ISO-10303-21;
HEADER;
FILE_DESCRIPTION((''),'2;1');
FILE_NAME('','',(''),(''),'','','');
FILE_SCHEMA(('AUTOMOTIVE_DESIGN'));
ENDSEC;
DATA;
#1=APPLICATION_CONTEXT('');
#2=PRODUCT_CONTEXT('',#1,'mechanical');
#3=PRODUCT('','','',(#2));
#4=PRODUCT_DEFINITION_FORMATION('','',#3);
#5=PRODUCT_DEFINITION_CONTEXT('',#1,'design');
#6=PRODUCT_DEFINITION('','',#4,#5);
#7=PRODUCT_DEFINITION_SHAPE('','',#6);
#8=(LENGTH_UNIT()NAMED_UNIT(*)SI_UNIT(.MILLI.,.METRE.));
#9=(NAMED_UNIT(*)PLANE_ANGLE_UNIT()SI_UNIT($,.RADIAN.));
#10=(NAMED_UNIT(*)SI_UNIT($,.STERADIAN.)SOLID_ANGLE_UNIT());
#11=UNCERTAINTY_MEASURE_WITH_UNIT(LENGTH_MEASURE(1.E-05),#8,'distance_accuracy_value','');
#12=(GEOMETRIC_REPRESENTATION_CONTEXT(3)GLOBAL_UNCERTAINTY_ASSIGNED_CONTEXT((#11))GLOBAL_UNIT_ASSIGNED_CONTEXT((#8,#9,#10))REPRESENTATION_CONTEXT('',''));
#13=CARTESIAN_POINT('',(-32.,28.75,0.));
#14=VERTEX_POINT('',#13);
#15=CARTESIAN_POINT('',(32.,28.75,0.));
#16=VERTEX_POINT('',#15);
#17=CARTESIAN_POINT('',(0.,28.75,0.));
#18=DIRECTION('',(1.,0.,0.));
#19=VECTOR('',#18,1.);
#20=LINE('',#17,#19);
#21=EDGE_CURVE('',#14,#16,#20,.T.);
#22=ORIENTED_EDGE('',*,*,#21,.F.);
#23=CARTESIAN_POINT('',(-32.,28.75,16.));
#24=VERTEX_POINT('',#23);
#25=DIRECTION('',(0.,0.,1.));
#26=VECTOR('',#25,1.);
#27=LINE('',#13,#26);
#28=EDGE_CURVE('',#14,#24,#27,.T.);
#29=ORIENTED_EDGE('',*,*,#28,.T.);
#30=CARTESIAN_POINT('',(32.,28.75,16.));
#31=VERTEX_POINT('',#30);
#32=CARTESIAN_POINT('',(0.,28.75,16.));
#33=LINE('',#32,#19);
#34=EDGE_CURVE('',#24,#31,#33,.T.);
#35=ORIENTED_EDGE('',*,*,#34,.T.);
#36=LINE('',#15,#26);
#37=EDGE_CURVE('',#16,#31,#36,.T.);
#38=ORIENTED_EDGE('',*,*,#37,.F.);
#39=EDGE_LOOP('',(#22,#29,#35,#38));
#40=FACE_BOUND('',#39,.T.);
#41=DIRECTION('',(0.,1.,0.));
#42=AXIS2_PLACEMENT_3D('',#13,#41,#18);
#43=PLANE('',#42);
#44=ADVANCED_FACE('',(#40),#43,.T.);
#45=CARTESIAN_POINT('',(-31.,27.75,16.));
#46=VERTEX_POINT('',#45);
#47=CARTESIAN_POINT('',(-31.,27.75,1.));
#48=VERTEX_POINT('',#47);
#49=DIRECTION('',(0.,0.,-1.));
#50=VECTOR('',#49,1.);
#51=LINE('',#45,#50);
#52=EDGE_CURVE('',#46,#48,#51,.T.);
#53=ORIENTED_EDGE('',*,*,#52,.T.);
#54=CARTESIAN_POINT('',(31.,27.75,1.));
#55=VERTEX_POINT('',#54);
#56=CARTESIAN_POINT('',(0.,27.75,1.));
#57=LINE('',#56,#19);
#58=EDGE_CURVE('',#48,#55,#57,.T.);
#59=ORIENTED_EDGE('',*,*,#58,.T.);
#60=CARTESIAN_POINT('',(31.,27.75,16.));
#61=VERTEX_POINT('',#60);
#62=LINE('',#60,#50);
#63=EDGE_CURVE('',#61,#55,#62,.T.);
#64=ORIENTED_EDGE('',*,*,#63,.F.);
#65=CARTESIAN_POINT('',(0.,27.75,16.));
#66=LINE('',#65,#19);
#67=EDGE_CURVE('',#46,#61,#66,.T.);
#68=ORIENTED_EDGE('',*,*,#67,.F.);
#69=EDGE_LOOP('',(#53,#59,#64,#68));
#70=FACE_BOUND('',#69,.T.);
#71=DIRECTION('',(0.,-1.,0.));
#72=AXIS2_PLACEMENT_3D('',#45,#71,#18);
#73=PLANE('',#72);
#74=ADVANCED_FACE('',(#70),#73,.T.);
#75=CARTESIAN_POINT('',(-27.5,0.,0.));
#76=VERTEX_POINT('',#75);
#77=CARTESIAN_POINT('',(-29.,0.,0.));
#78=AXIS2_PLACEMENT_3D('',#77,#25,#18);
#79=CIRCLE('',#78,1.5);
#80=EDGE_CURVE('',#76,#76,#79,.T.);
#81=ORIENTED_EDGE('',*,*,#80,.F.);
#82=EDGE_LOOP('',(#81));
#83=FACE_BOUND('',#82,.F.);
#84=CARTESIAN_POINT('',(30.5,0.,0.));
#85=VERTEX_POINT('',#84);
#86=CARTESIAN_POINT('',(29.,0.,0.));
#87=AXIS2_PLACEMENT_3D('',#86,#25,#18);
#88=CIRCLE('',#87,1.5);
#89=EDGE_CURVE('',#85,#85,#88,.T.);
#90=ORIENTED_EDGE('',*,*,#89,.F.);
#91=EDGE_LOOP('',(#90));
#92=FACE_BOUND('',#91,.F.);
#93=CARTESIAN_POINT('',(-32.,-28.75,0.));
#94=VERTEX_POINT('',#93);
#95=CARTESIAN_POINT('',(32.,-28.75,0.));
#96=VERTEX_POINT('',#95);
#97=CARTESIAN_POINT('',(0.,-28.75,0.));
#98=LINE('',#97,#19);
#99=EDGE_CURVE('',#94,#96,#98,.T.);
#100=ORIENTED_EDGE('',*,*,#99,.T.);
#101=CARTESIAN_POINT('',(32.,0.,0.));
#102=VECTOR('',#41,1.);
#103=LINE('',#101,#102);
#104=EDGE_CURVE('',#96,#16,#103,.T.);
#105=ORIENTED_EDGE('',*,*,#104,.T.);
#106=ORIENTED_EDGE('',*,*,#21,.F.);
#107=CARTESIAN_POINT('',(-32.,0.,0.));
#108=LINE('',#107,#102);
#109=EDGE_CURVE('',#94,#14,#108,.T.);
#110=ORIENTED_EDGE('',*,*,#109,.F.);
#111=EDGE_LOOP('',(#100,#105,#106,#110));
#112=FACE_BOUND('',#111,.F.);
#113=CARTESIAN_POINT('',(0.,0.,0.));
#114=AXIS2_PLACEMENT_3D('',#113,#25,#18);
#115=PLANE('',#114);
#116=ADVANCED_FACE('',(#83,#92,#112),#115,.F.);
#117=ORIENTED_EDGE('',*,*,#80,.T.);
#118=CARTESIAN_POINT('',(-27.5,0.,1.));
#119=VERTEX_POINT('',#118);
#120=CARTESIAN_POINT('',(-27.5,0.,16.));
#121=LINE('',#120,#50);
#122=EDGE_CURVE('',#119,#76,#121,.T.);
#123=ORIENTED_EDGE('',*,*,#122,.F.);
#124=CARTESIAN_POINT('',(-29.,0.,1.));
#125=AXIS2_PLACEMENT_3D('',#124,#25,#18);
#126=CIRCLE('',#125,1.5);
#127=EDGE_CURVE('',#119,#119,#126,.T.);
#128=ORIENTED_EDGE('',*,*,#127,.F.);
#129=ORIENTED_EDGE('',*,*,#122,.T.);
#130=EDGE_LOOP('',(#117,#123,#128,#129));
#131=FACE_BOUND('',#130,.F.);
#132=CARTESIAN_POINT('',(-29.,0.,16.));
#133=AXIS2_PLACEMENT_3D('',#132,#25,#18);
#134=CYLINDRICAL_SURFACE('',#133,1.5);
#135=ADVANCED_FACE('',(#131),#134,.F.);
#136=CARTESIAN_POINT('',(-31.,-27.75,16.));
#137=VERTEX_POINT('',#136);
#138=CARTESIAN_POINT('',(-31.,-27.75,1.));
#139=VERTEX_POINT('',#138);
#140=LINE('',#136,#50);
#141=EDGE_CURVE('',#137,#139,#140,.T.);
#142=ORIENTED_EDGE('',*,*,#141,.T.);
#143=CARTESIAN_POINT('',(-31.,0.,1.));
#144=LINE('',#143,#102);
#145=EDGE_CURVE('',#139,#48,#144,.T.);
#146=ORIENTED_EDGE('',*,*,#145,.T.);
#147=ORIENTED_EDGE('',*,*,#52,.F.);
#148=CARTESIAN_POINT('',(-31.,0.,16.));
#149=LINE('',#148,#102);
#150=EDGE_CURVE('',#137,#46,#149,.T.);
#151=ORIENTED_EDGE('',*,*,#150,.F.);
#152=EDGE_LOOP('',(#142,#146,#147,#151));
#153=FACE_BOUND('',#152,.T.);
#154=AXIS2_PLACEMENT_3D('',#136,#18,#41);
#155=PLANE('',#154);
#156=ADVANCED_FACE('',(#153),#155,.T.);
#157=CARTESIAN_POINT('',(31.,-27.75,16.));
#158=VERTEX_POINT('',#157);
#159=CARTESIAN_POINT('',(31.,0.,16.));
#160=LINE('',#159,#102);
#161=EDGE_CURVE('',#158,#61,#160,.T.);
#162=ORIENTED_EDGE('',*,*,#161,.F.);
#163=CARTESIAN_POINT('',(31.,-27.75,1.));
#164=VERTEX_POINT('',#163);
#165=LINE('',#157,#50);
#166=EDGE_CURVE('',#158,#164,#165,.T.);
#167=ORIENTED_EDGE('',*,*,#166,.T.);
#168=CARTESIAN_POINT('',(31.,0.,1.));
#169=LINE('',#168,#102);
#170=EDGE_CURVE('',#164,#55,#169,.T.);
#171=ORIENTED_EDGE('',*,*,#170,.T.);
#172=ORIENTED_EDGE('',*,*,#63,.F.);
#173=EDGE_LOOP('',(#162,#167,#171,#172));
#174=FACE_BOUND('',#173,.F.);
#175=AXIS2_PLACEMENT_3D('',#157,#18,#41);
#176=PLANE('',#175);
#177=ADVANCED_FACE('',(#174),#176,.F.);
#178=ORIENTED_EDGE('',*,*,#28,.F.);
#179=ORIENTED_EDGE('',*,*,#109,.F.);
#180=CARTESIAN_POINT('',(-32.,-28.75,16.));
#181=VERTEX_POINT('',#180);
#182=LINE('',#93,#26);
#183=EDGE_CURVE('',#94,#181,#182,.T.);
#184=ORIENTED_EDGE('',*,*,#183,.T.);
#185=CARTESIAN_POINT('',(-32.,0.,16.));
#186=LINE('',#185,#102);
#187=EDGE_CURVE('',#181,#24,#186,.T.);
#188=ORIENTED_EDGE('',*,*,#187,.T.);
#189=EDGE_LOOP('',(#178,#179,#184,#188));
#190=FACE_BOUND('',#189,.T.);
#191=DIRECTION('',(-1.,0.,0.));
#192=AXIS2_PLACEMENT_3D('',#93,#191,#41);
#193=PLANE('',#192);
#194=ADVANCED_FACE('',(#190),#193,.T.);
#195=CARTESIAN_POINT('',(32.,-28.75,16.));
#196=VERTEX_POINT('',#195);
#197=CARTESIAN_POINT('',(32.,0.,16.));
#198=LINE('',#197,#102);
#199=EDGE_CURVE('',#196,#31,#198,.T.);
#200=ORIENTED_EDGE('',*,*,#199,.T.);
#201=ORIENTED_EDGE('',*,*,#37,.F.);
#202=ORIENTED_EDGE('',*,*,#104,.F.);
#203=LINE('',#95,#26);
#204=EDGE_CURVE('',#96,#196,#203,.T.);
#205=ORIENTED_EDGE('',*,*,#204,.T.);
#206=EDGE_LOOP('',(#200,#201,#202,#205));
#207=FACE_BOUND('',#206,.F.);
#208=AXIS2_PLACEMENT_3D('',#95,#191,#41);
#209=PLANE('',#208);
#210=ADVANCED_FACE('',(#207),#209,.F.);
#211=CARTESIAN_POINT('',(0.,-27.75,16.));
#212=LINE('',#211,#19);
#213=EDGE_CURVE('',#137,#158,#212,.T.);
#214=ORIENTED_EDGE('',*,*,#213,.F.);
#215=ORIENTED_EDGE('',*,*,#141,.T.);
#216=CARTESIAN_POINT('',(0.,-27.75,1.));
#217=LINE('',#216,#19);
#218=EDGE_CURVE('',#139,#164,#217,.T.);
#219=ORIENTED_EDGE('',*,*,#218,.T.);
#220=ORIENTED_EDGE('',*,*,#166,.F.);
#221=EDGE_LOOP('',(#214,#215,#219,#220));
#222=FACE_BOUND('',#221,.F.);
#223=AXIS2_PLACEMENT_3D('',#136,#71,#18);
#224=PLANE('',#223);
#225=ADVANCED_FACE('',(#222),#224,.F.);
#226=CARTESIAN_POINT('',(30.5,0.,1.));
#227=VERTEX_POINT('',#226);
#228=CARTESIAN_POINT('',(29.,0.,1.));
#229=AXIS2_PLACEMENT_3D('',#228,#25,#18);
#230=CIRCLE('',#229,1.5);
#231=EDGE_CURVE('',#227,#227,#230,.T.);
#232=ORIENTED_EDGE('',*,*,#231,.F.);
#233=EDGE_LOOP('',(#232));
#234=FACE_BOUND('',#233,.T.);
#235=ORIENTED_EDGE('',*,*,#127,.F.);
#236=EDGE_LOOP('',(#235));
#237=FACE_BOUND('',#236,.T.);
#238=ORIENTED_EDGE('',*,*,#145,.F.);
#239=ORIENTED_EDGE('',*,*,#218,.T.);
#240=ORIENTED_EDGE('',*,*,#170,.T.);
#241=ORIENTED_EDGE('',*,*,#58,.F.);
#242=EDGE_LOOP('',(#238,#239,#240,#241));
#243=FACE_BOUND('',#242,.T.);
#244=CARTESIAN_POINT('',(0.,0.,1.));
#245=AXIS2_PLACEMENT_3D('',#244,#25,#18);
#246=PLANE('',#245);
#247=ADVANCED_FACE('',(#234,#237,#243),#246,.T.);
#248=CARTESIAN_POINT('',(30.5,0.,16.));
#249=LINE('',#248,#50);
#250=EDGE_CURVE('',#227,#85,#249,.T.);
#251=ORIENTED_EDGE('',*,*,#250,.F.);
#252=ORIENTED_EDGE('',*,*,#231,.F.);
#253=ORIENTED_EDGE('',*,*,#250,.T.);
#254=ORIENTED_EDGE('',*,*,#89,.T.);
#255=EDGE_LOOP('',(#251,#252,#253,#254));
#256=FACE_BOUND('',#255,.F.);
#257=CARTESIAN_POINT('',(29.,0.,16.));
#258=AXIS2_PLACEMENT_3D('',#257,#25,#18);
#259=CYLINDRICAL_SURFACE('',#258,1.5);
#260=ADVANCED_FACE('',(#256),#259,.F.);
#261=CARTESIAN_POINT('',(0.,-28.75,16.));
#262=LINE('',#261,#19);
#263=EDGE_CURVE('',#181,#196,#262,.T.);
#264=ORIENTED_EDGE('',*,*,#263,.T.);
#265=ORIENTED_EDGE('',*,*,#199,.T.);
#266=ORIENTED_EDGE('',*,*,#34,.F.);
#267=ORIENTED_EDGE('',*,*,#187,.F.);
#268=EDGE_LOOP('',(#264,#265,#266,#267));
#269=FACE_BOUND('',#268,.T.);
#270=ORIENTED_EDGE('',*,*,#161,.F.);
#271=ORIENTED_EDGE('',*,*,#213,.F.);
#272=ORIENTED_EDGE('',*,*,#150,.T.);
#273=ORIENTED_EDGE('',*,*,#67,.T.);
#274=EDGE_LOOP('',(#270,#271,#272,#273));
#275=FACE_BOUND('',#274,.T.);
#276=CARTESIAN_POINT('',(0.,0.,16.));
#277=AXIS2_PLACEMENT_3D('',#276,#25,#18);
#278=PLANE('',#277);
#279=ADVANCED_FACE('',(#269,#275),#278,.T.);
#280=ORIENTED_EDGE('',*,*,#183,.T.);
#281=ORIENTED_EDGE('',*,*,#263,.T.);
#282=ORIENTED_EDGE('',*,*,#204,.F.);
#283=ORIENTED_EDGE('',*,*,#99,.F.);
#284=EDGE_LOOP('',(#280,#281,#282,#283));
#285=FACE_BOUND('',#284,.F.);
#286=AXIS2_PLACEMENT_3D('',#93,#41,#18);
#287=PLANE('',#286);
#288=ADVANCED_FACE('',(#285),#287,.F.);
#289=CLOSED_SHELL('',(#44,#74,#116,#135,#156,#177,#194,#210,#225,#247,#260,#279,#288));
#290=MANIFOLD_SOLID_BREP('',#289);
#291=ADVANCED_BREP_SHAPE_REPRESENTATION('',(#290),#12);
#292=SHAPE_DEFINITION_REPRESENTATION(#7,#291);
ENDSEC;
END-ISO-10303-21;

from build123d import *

# Parameters (mm, degrees)
SKETCH001_W     = 64
SKETCH001_H     = 57.5
PAD_DEPTH       = 16
SKETCH003_W     = 62
SKETCH003_H     = 55.5
POCKET001_DEPTH = 15
SKETCH002_R     = 1.5
POCKET_DEPTH    = 16.001


with BuildPart() as part:
    # Sketch001 → Pad (new body)
    with BuildSketch(Plane.XY):
        Rectangle(SKETCH001_W, SKETCH001_H)
    extrude(amount=PAD_DEPTH)

    # Sketch003 (on Face6 of Pad) → Pocket001 (cut)
    with BuildSketch(Plane.XY.offset(16)):
        Rectangle(SKETCH003_W, SKETCH003_H)
    extrude(amount=-POCKET001_DEPTH, mode=Mode.SUBTRACT)

    # Sketch002 (on Face6 of Pad) → Pocket (cut, through all)
    with BuildSketch(Plane.XY.offset(16)):
        with Locations((-29, 0)):
            Circle(SKETCH002_R)
        with Locations((29, 0)):
            Circle(SKETCH002_R)
    extrude(amount=-POCKET_DEPTH, mode=Mode.SUBTRACT)


solid = part.part
